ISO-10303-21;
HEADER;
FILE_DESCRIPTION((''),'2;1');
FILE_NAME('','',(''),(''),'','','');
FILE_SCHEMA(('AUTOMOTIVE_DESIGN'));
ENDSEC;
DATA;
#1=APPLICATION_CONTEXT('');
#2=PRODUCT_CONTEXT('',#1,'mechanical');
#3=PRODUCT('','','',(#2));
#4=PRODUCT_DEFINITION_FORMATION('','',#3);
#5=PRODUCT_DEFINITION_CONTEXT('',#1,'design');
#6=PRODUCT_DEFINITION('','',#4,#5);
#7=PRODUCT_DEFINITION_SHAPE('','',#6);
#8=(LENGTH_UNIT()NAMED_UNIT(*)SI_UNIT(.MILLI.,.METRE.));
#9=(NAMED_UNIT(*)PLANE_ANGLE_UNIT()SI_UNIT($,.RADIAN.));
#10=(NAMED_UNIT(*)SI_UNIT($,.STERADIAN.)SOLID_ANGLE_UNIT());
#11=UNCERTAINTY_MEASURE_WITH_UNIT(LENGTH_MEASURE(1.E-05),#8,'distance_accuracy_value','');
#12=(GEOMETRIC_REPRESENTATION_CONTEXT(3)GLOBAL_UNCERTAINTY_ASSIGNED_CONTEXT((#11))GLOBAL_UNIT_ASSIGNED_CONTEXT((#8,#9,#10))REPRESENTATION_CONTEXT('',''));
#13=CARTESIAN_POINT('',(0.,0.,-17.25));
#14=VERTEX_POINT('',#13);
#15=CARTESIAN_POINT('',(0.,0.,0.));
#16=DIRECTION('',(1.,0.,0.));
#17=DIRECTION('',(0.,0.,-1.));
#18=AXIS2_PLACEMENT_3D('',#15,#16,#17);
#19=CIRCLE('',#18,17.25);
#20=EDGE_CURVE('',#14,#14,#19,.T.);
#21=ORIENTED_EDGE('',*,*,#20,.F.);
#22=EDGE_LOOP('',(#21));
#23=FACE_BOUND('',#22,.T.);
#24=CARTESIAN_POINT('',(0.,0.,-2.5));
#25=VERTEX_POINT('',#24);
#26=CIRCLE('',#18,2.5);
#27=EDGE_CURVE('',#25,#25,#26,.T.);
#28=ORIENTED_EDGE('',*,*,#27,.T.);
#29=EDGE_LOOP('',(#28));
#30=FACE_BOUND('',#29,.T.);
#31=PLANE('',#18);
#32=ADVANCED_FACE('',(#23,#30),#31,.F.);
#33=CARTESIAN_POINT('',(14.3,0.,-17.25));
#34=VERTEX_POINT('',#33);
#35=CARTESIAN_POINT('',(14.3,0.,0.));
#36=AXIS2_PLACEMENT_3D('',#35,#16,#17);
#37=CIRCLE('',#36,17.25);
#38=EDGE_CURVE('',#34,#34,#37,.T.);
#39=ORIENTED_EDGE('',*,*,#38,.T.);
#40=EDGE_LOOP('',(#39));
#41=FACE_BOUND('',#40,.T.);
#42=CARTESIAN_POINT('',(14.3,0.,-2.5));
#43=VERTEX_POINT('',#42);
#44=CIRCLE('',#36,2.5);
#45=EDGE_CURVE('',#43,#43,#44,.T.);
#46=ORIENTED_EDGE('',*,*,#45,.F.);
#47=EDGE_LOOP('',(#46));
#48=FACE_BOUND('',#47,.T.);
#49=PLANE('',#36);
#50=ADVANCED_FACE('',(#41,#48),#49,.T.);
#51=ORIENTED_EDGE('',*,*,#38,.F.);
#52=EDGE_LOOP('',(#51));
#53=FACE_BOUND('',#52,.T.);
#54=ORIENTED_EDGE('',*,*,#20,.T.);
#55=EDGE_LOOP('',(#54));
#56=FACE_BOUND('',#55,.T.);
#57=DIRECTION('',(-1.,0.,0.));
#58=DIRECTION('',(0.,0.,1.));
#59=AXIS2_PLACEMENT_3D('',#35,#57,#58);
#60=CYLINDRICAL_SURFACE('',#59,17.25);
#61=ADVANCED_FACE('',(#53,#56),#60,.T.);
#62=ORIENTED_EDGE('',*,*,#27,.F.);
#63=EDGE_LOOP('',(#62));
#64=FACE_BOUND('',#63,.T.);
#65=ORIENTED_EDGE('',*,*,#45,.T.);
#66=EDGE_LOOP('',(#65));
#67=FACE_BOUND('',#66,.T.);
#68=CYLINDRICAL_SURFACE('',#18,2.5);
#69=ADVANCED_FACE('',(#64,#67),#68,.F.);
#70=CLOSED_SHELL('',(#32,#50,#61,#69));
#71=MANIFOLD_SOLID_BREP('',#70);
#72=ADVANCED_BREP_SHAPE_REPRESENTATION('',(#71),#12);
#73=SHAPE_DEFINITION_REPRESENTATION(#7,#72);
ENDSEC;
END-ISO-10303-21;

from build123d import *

# Parameters (mm, degrees)
SKETCH1_R               = 17.25
BOSS_EXTRUDE1_DEPTH     = 14.3
SKETCH2_R               = 2.5
CUT_EXTRUDE1_DEPTH      = 1
CUT_EXTRUDE1_DEPTH_BACK = 15.3


with BuildPart() as part:
    # Sketch1 → Boss-Extrude1 (new body)
    with BuildSketch(Plane(origin=(0, 0, 0), x_dir=(0, 0, -1), z_dir=(1, 0, 0))):
        Circle(SKETCH1_R)
    extrude(amount=BOSS_EXTRUDE1_DEPTH)

    # Sketch2 → Cut-Extrude1 (cut, two sides)
    with BuildSketch(Plane(origin=(14.3, 0, 0), x_dir=(0, 0, -1), z_dir=(1, 0, 0))) as cut_extrude1_sk:
        Circle(SKETCH2_R)
    extrude(amount=CUT_EXTRUDE1_DEPTH, mode=Mode.SUBTRACT)
    extrude(cut_extrude1_sk.sketch, amount=-CUT_EXTRUDE1_DEPTH_BACK, mode=Mode.SUBTRACT)


solid = part.part
